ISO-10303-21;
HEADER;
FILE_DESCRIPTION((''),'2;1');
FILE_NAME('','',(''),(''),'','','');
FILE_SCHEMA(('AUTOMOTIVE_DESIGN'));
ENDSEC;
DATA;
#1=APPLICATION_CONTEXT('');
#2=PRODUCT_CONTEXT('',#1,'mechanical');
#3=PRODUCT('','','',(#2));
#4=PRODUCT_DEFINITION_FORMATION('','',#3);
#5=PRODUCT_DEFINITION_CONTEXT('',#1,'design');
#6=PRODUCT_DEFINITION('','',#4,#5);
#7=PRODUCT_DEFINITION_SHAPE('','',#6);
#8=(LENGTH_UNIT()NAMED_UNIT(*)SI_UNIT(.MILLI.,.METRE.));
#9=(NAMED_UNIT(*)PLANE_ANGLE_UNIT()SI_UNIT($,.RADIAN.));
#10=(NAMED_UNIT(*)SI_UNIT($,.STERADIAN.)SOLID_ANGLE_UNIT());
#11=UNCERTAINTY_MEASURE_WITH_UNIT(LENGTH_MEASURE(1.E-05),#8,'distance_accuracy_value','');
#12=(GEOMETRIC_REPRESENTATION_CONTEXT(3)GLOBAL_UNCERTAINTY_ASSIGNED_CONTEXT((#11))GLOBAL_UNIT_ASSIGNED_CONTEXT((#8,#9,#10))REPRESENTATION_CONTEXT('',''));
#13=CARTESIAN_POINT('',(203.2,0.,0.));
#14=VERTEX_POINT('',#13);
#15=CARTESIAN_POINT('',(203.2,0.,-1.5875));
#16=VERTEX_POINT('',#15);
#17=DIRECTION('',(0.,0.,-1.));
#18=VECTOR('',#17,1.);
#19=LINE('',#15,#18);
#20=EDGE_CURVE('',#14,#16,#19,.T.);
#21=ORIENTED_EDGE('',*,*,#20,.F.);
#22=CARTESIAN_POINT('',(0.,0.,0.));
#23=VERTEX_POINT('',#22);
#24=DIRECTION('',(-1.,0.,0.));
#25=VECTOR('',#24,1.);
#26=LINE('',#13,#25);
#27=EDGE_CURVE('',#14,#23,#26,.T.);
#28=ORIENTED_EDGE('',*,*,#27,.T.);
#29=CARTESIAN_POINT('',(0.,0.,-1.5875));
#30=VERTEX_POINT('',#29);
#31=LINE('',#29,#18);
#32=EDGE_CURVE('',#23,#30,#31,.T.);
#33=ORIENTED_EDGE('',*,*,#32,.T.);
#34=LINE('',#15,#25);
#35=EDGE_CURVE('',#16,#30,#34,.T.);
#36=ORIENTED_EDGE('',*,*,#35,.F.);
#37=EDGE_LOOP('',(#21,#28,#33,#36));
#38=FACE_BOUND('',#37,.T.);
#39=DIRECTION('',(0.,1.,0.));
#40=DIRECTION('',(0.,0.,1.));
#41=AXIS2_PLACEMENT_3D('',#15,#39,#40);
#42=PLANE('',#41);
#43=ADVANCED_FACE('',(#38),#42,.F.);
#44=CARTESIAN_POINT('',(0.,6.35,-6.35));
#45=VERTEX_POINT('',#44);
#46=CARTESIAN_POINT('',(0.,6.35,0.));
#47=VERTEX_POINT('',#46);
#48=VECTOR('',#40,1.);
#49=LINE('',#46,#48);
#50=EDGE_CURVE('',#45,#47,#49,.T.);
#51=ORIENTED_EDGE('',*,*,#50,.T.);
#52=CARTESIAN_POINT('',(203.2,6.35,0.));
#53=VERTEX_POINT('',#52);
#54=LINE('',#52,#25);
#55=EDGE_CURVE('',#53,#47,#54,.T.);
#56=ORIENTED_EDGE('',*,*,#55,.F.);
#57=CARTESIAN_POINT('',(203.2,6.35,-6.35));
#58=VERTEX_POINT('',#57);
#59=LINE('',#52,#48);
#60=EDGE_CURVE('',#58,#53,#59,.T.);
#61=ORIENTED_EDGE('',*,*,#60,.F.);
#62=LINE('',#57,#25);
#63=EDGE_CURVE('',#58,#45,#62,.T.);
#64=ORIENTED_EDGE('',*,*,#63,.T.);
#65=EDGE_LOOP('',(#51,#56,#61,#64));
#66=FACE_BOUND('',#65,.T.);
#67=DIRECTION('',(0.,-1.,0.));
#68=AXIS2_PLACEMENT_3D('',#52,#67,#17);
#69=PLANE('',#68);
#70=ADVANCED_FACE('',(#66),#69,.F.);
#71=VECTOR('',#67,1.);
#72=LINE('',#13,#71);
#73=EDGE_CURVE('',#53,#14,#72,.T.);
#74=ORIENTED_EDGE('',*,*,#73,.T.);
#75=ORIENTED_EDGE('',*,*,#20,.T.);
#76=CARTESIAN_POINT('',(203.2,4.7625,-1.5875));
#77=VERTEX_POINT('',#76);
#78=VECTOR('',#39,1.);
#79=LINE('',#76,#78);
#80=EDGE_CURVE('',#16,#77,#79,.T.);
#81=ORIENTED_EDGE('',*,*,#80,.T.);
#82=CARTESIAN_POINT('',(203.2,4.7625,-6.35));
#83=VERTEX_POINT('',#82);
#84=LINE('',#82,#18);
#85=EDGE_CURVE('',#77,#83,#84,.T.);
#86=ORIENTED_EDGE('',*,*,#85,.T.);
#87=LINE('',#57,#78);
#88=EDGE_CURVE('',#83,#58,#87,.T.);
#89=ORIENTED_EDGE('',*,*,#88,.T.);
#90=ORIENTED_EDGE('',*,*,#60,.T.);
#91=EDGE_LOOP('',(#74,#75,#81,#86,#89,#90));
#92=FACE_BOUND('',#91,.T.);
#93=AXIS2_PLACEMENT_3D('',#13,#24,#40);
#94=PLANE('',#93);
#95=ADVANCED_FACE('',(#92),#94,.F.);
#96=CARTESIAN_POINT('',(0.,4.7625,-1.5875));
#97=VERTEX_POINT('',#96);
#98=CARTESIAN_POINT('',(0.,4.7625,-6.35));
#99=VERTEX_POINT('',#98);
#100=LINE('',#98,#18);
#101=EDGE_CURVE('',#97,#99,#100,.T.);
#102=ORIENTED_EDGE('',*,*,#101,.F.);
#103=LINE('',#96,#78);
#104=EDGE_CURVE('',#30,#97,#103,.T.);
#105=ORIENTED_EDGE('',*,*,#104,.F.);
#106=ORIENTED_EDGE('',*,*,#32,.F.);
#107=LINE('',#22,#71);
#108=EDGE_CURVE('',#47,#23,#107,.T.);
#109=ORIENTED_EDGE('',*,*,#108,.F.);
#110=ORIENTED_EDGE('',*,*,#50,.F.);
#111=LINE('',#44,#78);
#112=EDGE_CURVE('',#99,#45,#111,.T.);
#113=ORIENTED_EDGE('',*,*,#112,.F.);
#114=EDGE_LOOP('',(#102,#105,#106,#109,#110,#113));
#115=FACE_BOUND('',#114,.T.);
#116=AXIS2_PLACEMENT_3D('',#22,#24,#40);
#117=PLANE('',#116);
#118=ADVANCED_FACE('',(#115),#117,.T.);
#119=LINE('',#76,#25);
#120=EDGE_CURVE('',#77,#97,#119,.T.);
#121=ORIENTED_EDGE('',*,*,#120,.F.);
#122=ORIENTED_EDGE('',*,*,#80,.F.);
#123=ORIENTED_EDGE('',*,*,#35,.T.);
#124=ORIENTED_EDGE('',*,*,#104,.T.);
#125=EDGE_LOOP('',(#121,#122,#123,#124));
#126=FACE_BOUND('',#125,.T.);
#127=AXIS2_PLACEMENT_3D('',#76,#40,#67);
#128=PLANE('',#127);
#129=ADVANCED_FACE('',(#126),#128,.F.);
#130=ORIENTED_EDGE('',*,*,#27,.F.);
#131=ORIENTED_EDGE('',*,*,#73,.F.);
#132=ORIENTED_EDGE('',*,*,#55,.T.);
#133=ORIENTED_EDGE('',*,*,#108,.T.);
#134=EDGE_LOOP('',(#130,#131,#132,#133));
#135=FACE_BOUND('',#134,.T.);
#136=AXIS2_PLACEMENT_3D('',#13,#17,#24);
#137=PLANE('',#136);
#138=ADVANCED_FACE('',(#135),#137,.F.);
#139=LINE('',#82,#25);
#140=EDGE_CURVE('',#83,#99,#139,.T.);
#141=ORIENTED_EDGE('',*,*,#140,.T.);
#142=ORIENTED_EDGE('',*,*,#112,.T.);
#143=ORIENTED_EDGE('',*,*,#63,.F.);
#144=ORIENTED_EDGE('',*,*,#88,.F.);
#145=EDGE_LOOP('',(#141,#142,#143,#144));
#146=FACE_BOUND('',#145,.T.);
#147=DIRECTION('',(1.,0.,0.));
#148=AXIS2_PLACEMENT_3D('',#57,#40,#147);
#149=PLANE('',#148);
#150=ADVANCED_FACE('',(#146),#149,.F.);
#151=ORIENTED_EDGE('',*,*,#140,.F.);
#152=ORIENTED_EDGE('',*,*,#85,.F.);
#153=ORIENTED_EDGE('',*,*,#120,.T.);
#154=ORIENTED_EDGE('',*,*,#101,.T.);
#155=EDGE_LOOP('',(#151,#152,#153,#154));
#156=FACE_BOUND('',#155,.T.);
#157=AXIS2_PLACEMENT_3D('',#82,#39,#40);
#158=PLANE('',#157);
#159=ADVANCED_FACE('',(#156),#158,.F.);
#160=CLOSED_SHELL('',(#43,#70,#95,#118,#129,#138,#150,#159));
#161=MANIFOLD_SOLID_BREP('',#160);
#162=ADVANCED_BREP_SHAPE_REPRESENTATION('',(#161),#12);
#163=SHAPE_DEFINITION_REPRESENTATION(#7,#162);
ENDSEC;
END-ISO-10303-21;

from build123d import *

# Parameters (mm, degrees)
BOSS_EXTRUDE1_DEPTH = 203.2


with BuildPart() as part:
    # Sketch1 → Boss-Extrude1 (new body)
    with BuildSketch(Plane(origin=(0, 0, 0), x_dir=(0, 0, -1), z_dir=(1, 0, 0))):
        Polygon((0, 0), (0, 6.35), (6.35, 6.35), (6.35, 4.7625), (1.5875, 4.7625), (1.5875, 0), align=None)
    extrude(amount=BOSS_EXTRUDE1_DEPTH)


solid = part.part
